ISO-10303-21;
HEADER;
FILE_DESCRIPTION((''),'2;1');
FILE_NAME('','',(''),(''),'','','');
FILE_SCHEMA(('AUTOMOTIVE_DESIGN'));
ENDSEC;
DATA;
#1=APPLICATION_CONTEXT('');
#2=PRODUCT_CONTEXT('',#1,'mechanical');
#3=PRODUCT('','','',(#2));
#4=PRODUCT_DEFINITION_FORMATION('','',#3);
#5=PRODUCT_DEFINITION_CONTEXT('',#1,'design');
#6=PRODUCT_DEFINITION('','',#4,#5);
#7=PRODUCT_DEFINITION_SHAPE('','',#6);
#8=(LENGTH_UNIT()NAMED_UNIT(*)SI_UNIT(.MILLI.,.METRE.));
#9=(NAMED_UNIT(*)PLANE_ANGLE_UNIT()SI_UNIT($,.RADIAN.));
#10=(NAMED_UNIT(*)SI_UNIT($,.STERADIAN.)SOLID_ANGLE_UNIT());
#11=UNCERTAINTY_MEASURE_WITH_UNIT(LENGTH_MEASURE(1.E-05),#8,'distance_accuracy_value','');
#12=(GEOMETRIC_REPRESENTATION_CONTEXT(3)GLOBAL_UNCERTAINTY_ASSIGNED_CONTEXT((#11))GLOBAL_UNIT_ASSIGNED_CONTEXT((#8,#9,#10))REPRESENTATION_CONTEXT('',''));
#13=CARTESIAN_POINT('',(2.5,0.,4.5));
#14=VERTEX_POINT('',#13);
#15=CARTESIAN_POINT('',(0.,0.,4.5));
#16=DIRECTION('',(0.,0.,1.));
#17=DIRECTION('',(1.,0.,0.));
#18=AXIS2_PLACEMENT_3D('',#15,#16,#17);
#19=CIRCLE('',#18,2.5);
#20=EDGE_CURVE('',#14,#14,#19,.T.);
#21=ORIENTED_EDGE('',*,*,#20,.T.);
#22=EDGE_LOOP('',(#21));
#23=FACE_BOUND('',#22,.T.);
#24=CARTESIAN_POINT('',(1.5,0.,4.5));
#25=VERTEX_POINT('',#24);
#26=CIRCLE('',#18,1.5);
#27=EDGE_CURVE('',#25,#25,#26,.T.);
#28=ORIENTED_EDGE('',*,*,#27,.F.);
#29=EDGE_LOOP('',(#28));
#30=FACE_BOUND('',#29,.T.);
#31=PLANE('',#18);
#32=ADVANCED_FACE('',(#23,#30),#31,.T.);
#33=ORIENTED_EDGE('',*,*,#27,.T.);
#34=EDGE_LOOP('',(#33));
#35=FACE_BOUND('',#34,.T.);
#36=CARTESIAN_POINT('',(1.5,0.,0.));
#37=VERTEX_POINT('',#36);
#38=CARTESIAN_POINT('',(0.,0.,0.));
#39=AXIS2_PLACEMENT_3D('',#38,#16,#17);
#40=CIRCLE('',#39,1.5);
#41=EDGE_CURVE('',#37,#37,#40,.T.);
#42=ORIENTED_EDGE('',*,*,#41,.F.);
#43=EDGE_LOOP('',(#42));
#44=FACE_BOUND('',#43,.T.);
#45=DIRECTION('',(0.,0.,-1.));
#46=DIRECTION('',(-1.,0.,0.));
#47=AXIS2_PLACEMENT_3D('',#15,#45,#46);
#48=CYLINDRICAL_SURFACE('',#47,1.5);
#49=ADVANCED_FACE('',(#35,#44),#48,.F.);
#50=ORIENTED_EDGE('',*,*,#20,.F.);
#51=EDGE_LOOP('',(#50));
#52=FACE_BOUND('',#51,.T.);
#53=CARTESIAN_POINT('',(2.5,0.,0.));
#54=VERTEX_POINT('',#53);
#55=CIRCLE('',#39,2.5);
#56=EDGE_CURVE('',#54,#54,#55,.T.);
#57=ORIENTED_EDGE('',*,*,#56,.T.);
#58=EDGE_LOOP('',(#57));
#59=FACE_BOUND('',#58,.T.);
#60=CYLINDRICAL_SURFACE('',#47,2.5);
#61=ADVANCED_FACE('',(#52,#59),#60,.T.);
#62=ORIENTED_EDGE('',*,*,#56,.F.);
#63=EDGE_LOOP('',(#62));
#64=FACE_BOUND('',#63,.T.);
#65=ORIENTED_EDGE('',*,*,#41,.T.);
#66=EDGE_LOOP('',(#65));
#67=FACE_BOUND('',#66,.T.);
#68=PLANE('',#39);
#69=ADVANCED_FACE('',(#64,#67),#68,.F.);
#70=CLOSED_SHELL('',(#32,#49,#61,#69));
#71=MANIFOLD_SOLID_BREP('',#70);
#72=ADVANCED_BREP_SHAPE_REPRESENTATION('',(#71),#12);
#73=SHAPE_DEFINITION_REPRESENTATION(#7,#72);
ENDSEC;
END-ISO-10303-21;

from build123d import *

# Parameters (mm, degrees)
SKETCH2_R           = 2.5
SKETCH2_R_2         = 1.5
BOSS_EXTRUDE1_DEPTH = 4.5


with BuildPart() as part:
    # Sketch2 → Boss-Extrude1 (new body)
    with BuildSketch(Plane.XY):
        Circle(SKETCH2_R)
        Circle(SKETCH2_R_2, mode=Mode.SUBTRACT)
    extrude(amount=BOSS_EXTRUDE1_DEPTH)


solid = part.part
